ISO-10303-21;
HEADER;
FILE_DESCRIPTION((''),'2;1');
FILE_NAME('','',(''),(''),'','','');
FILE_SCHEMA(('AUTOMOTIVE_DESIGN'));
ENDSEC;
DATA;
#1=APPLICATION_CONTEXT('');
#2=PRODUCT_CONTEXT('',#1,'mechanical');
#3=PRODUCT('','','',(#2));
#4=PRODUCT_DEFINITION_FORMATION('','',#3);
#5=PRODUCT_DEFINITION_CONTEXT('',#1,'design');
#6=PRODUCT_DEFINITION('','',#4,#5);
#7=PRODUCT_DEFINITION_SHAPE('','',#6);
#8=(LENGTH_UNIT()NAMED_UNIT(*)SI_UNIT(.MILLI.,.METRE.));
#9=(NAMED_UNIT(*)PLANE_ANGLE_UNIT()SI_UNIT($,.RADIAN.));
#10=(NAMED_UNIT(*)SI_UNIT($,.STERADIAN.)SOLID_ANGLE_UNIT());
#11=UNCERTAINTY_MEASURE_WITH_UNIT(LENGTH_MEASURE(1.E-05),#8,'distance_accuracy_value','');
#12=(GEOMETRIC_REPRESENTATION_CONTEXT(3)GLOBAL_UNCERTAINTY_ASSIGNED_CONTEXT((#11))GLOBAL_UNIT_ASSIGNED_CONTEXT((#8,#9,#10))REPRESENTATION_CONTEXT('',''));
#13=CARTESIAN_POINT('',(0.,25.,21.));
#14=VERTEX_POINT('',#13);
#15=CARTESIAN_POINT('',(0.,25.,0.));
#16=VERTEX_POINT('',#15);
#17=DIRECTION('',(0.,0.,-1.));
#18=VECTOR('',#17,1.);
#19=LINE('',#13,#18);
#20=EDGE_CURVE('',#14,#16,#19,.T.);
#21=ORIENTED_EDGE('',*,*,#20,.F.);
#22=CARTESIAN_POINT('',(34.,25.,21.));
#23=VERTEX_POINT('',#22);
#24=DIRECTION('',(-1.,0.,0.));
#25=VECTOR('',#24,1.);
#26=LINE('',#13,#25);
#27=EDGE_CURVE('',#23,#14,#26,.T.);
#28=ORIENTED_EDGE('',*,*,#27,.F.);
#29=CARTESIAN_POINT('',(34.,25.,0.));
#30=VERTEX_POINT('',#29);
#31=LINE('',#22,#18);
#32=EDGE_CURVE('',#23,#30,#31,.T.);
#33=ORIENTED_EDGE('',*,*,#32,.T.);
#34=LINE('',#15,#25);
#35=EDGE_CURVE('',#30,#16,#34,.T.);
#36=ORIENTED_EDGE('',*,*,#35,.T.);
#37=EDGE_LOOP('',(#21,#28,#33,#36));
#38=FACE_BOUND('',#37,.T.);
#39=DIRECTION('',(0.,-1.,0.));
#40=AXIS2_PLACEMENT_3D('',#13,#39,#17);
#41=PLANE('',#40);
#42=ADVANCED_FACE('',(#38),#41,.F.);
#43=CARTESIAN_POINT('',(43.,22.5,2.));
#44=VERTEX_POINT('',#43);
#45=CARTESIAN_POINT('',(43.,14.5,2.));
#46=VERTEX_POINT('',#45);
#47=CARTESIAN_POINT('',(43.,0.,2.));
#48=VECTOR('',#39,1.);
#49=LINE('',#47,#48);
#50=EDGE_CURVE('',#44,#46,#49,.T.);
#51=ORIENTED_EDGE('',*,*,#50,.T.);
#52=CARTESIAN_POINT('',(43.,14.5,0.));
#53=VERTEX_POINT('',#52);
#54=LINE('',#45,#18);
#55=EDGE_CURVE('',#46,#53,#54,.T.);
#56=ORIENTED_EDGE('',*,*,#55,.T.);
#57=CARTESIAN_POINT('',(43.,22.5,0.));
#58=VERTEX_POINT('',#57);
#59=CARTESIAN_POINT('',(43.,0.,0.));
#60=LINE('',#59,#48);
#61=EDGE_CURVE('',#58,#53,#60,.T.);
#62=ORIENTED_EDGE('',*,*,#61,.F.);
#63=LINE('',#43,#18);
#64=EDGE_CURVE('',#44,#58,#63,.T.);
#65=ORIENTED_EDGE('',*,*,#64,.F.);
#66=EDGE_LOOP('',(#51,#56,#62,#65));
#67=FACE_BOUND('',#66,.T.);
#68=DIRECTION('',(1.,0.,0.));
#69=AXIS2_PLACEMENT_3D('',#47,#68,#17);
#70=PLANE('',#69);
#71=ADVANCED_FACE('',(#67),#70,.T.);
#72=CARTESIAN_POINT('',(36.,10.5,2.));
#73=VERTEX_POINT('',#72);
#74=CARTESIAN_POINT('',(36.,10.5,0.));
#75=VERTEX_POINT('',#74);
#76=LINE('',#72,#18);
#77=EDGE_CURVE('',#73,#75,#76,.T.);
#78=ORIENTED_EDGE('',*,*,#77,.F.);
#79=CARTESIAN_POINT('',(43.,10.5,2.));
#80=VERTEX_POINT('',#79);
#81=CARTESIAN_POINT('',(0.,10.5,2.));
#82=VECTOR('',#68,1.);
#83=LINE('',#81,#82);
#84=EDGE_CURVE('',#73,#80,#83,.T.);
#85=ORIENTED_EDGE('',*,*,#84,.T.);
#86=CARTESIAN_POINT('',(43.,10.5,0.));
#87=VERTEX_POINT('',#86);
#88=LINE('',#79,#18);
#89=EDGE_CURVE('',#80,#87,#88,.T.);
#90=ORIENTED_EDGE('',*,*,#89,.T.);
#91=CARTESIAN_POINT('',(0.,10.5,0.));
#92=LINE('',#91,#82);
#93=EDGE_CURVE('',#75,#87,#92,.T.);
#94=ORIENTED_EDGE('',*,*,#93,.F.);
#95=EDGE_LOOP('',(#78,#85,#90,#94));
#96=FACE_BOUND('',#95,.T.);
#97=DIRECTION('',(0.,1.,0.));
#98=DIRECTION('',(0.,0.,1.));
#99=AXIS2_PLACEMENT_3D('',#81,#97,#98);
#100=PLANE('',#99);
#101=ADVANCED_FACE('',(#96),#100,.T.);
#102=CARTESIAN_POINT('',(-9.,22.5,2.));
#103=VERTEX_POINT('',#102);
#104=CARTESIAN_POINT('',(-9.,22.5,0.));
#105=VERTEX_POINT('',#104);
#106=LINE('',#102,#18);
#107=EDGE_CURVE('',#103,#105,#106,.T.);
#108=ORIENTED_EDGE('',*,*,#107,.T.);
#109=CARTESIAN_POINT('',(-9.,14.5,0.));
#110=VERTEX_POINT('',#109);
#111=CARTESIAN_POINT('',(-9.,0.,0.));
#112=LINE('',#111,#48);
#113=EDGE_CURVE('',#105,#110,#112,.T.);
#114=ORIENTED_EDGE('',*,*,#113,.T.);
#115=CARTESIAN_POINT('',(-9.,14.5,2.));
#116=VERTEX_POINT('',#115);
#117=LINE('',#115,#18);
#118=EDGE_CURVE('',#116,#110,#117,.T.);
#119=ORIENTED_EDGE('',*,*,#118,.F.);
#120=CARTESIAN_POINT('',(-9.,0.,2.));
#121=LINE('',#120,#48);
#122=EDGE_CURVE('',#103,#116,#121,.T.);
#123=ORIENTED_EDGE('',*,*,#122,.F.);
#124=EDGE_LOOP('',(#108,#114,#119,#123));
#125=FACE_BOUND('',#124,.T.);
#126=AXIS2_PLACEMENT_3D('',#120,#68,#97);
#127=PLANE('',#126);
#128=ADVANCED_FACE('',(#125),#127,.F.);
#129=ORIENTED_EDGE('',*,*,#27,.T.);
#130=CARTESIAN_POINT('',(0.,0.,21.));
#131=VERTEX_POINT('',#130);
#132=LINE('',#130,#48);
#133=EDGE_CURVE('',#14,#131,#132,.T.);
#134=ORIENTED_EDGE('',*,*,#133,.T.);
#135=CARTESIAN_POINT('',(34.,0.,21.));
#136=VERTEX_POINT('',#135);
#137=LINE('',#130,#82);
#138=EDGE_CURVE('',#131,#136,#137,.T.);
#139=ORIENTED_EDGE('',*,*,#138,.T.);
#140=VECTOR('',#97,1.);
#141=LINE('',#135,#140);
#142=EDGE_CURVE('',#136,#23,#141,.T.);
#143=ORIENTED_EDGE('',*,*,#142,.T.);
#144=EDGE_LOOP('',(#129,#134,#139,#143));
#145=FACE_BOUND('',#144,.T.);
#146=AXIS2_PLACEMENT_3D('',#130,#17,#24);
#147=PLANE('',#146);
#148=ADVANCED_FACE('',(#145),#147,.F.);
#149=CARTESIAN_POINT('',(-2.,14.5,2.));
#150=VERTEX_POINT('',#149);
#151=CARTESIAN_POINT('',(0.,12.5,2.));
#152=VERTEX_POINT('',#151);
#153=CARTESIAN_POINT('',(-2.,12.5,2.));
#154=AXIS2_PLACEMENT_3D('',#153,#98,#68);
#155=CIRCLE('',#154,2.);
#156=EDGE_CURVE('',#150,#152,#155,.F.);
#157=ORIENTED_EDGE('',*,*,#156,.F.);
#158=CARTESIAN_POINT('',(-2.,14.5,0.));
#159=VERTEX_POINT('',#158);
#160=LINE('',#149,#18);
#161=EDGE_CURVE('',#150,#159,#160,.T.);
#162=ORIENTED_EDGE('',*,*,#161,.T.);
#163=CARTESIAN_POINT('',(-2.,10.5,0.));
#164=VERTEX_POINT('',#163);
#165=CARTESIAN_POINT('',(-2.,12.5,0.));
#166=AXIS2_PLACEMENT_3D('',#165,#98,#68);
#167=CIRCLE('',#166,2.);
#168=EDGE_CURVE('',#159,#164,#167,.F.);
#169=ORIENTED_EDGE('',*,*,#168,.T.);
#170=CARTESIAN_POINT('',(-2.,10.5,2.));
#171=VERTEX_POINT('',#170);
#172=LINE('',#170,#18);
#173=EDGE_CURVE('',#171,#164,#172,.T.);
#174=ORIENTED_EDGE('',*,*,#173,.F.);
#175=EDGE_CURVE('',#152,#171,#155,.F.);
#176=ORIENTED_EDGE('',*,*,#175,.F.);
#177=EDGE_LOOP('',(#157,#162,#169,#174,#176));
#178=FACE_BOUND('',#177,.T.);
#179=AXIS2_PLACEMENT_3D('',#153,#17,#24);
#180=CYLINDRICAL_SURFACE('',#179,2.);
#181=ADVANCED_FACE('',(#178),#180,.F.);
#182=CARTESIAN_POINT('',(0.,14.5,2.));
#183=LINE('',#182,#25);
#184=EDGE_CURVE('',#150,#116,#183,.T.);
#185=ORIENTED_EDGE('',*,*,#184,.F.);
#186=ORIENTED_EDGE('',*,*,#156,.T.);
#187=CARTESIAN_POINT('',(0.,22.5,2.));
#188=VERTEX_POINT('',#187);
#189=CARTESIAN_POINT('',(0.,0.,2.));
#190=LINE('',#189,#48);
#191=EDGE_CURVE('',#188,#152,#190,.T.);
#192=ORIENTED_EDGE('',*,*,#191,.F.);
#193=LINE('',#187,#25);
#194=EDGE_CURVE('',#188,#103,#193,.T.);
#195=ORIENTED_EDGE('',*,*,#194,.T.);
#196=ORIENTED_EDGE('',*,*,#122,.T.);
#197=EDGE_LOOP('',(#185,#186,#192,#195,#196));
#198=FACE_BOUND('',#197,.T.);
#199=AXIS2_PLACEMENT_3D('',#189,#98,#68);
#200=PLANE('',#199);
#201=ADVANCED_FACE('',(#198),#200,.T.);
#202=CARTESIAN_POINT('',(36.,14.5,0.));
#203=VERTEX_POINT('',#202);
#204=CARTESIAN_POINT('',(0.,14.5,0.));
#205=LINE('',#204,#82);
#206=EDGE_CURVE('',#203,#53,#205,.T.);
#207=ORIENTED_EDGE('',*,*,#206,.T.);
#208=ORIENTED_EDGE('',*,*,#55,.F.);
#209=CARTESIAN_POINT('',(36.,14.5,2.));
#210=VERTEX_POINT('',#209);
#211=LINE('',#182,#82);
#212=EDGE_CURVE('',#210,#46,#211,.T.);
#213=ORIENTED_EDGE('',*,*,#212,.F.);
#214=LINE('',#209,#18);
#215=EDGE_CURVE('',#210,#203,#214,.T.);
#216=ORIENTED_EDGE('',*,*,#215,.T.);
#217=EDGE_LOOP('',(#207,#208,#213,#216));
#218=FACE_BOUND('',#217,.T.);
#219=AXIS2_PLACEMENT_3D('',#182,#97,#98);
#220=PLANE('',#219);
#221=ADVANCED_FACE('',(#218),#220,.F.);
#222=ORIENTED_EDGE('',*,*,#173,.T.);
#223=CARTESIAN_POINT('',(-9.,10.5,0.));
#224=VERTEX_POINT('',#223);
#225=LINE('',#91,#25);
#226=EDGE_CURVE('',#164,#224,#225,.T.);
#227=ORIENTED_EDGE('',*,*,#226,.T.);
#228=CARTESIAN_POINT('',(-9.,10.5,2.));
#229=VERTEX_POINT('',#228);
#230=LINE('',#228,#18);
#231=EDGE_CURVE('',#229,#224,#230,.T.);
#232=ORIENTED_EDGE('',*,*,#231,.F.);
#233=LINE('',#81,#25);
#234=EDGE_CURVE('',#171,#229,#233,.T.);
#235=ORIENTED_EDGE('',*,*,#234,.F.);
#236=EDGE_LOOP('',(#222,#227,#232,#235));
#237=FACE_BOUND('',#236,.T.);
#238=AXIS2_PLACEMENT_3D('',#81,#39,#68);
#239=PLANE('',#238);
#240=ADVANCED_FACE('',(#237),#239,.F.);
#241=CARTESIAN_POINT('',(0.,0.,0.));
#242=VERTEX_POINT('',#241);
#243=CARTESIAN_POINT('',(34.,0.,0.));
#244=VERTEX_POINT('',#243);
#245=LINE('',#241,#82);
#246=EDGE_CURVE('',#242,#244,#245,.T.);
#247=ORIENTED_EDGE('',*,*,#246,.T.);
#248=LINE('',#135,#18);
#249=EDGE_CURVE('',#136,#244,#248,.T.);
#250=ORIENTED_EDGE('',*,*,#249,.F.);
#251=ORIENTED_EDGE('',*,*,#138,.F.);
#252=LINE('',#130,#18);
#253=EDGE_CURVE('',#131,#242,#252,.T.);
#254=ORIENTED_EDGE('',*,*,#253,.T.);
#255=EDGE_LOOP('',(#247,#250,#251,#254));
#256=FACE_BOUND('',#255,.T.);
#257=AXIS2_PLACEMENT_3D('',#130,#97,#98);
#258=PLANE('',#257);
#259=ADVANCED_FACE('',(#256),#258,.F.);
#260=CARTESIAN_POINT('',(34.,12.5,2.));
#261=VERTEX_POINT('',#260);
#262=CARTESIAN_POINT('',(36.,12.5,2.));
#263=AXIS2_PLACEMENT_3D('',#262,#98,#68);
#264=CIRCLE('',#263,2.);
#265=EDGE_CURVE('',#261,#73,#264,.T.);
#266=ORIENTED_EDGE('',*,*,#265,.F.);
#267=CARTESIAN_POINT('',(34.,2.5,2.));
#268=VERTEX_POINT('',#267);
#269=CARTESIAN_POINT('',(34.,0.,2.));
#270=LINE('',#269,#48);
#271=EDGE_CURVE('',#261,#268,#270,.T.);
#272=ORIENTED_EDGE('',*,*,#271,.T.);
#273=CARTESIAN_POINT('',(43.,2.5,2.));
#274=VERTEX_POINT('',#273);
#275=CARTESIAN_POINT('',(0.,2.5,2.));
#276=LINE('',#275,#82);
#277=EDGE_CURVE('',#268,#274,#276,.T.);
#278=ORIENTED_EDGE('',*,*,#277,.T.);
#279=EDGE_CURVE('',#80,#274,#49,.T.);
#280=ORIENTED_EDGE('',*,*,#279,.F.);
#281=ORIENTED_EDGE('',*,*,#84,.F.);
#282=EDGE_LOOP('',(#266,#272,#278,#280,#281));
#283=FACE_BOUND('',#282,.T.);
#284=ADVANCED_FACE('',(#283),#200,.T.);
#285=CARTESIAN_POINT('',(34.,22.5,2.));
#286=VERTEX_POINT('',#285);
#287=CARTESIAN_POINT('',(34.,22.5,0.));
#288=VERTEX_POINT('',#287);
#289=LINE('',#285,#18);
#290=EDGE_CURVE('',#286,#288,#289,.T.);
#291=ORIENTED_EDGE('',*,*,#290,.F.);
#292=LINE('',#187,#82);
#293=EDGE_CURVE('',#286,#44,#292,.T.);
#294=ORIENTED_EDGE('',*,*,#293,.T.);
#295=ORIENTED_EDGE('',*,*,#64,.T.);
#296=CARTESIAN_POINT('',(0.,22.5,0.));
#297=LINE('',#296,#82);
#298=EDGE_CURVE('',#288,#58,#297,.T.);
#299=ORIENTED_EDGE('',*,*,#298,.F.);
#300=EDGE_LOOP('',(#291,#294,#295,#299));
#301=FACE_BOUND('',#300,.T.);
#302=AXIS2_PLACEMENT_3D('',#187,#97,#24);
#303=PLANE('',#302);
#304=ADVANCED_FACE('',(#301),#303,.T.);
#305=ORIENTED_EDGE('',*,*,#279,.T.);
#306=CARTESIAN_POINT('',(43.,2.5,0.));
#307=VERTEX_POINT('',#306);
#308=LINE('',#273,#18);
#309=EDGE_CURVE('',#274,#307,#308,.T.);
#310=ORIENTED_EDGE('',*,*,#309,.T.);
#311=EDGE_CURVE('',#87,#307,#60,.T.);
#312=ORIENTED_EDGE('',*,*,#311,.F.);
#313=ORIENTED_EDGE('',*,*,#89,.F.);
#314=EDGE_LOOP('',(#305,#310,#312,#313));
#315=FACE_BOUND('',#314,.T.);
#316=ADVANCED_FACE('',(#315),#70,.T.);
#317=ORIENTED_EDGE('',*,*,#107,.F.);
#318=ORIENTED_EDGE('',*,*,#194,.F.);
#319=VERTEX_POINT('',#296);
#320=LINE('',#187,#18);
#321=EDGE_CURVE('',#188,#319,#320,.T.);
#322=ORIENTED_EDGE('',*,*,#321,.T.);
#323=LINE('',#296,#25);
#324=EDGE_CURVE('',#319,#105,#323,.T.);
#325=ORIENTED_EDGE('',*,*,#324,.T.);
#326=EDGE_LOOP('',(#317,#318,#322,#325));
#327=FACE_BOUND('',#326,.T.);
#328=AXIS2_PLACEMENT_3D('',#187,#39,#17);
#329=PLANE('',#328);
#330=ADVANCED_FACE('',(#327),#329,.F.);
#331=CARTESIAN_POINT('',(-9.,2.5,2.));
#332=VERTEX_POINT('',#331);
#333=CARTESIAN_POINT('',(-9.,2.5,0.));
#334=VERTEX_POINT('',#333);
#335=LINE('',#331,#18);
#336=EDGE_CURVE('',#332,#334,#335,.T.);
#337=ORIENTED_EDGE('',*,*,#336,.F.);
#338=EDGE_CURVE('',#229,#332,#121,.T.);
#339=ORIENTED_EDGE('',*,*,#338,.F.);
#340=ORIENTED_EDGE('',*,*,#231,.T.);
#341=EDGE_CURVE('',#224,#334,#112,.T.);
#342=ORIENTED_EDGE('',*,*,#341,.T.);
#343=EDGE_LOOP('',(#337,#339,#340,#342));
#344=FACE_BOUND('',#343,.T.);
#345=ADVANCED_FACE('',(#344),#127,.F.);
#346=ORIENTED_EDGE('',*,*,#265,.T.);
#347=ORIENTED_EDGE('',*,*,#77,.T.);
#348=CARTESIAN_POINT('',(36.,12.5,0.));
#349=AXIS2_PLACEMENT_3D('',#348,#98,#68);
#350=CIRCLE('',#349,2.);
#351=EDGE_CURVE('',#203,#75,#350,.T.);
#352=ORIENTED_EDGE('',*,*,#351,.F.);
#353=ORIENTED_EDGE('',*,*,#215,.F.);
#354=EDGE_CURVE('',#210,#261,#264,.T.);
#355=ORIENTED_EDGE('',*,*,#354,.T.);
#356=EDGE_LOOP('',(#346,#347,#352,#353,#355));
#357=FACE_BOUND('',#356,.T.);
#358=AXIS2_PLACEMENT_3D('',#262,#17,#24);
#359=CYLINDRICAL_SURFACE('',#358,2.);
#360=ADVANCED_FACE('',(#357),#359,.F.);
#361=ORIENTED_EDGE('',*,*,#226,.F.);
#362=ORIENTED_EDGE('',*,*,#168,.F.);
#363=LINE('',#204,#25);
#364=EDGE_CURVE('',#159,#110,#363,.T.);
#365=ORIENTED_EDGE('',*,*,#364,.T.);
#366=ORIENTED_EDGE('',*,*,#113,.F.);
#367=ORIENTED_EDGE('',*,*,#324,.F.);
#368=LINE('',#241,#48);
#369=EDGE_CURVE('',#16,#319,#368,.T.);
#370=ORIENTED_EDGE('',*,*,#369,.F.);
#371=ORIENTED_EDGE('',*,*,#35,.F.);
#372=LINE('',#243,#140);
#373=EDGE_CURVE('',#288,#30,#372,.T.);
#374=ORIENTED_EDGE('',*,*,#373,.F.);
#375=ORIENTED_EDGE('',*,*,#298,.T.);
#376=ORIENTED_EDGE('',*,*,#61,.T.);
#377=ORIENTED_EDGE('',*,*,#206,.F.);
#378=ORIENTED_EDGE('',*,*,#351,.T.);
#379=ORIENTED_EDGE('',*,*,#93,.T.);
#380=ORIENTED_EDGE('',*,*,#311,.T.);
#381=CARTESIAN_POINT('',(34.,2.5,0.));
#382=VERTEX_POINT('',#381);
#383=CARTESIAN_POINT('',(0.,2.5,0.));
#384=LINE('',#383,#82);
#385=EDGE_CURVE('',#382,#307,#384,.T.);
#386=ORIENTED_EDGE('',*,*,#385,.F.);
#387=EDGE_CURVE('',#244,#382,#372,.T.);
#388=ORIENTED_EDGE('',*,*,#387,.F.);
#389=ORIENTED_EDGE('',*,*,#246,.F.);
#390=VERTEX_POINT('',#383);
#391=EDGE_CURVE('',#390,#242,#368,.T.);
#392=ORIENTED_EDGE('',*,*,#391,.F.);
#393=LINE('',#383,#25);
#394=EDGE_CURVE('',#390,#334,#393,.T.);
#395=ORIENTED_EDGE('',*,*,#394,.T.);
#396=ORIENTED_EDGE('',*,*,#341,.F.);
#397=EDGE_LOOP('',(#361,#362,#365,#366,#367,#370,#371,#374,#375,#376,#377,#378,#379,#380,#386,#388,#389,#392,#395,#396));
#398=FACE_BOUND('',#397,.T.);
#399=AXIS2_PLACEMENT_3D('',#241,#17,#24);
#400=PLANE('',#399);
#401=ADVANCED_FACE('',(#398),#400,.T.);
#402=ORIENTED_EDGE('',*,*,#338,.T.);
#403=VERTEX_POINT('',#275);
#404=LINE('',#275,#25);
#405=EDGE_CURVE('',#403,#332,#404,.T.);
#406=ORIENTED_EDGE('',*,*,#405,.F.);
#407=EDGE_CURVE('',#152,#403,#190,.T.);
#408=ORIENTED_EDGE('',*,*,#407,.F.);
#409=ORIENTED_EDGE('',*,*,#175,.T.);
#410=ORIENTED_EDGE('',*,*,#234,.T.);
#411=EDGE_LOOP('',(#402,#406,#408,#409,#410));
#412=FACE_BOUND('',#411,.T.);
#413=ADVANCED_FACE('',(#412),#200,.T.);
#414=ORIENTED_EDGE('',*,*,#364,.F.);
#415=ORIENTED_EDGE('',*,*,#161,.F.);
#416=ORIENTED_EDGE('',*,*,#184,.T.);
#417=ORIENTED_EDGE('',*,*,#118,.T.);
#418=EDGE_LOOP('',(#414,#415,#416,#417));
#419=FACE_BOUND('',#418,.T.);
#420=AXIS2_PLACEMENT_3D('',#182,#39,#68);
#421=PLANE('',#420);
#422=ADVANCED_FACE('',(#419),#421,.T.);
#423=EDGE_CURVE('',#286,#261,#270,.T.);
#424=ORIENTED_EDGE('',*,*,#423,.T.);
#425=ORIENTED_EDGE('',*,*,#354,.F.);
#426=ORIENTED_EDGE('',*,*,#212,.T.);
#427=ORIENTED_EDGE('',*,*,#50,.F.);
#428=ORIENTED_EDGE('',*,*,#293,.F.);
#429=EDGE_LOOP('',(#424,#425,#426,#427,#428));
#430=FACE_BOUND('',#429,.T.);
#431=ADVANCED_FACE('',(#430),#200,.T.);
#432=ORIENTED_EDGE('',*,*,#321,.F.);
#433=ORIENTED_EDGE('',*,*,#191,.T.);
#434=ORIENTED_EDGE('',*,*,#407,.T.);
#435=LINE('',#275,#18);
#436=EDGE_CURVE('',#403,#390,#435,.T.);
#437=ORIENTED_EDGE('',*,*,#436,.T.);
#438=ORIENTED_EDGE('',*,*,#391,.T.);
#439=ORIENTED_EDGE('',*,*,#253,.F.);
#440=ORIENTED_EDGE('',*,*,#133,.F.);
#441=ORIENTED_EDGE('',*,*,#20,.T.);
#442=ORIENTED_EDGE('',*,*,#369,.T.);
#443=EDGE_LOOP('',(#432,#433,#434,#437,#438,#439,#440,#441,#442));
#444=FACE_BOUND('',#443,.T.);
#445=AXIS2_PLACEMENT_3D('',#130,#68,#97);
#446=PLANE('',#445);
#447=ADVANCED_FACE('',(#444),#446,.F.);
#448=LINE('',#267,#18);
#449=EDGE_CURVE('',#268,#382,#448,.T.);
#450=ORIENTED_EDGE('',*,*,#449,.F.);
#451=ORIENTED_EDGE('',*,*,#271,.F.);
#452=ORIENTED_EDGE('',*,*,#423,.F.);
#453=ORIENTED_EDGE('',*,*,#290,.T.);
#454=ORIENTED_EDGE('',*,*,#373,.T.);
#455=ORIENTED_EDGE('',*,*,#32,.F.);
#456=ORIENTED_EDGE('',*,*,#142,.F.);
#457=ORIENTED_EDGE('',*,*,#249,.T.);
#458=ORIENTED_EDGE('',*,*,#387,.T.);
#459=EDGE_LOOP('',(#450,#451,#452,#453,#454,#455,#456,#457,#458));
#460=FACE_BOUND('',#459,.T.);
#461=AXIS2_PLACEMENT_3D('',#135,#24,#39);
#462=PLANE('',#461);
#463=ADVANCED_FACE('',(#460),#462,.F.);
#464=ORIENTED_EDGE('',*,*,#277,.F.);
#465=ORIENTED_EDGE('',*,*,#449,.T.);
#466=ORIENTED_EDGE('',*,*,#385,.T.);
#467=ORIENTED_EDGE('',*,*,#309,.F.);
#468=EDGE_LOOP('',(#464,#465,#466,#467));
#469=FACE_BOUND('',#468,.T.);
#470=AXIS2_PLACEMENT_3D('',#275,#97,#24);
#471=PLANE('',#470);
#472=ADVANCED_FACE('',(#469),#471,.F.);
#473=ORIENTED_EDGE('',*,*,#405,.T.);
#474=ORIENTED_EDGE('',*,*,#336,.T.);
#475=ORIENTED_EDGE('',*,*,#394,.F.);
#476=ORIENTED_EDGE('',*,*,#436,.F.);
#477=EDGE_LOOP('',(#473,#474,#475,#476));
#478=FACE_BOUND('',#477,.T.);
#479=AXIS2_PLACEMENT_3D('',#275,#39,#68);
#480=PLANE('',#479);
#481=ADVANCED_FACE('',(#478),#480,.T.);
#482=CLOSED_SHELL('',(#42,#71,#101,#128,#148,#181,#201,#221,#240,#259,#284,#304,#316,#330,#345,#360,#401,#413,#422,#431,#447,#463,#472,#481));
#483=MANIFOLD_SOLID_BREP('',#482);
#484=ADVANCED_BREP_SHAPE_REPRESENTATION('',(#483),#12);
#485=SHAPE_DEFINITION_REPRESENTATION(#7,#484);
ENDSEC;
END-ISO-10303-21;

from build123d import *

# Parameters (mm, degrees)
SKETCH1_W           = 34
SKETCH1_H           = 25
BOSS_EXTRUDE1_DEPTH = 21
BOSS_EXTRUDE2_DEPTH = 2


with BuildPart() as part:
    # Sketch1 → Boss-Extrude1 (new body)
    with BuildSketch(Plane.XY):
        with Locations((17, 12.5)):
            Rectangle(SKETCH1_W, SKETCH1_H)
    extrude(amount=BOSS_EXTRUDE1_DEPTH)

    # Sketch3 → Boss-Extrude2 (add)
    with BuildSketch(Plane.XY):
        with BuildLine():
            Line((0, 12.5), (0, 22.5))
            Line((0, 22.5), (-9, 22.5))
            Line((-9, 22.5), (-9, 14.5))
            Line((-9, 14.5), (-2, 14.5))
            ThreePointArc((-2, 14.5), (-0.585786438, 13.914213562), (0, 12.5))
        make_face()
        with BuildLine():
            Line((0, 2.5), (0, 12.5))
            ThreePointArc((0, 12.5), (-0.585786438, 11.085786438), (-2, 10.5))
            Line((-2, 10.5), (-9, 10.5))
            Line((-9, 10.5), (-9, 2.5))
            Line((-9, 2.5), (0, 2.5))
        make_face()
        with BuildLine():
            ThreePointArc((36, 10.5), (34.585786455, 11.08578642), (34, 12.499999949))
            Line((34, 12.499999949), (34, 2.5))
            Line((34, 2.5), (43, 2.5))
            Line((43, 2.5), (43, 10.5))
            Line((43, 10.5), (36, 10.5))
        make_face()
        with BuildLine():
            Line((43, 22.5), (34, 22.5))
            Line((34, 22.5), (34, 12.499999949))
            ThreePointArc((34, 12.499999949), (34.58578642, 13.914213545), (36, 14.5))
            Line((36, 14.5), (43, 14.5))
            Line((43, 14.5), (43, 22.5))
        make_face()
    extrude(amount=BOSS_EXTRUDE2_DEPTH)


solid = part.part
